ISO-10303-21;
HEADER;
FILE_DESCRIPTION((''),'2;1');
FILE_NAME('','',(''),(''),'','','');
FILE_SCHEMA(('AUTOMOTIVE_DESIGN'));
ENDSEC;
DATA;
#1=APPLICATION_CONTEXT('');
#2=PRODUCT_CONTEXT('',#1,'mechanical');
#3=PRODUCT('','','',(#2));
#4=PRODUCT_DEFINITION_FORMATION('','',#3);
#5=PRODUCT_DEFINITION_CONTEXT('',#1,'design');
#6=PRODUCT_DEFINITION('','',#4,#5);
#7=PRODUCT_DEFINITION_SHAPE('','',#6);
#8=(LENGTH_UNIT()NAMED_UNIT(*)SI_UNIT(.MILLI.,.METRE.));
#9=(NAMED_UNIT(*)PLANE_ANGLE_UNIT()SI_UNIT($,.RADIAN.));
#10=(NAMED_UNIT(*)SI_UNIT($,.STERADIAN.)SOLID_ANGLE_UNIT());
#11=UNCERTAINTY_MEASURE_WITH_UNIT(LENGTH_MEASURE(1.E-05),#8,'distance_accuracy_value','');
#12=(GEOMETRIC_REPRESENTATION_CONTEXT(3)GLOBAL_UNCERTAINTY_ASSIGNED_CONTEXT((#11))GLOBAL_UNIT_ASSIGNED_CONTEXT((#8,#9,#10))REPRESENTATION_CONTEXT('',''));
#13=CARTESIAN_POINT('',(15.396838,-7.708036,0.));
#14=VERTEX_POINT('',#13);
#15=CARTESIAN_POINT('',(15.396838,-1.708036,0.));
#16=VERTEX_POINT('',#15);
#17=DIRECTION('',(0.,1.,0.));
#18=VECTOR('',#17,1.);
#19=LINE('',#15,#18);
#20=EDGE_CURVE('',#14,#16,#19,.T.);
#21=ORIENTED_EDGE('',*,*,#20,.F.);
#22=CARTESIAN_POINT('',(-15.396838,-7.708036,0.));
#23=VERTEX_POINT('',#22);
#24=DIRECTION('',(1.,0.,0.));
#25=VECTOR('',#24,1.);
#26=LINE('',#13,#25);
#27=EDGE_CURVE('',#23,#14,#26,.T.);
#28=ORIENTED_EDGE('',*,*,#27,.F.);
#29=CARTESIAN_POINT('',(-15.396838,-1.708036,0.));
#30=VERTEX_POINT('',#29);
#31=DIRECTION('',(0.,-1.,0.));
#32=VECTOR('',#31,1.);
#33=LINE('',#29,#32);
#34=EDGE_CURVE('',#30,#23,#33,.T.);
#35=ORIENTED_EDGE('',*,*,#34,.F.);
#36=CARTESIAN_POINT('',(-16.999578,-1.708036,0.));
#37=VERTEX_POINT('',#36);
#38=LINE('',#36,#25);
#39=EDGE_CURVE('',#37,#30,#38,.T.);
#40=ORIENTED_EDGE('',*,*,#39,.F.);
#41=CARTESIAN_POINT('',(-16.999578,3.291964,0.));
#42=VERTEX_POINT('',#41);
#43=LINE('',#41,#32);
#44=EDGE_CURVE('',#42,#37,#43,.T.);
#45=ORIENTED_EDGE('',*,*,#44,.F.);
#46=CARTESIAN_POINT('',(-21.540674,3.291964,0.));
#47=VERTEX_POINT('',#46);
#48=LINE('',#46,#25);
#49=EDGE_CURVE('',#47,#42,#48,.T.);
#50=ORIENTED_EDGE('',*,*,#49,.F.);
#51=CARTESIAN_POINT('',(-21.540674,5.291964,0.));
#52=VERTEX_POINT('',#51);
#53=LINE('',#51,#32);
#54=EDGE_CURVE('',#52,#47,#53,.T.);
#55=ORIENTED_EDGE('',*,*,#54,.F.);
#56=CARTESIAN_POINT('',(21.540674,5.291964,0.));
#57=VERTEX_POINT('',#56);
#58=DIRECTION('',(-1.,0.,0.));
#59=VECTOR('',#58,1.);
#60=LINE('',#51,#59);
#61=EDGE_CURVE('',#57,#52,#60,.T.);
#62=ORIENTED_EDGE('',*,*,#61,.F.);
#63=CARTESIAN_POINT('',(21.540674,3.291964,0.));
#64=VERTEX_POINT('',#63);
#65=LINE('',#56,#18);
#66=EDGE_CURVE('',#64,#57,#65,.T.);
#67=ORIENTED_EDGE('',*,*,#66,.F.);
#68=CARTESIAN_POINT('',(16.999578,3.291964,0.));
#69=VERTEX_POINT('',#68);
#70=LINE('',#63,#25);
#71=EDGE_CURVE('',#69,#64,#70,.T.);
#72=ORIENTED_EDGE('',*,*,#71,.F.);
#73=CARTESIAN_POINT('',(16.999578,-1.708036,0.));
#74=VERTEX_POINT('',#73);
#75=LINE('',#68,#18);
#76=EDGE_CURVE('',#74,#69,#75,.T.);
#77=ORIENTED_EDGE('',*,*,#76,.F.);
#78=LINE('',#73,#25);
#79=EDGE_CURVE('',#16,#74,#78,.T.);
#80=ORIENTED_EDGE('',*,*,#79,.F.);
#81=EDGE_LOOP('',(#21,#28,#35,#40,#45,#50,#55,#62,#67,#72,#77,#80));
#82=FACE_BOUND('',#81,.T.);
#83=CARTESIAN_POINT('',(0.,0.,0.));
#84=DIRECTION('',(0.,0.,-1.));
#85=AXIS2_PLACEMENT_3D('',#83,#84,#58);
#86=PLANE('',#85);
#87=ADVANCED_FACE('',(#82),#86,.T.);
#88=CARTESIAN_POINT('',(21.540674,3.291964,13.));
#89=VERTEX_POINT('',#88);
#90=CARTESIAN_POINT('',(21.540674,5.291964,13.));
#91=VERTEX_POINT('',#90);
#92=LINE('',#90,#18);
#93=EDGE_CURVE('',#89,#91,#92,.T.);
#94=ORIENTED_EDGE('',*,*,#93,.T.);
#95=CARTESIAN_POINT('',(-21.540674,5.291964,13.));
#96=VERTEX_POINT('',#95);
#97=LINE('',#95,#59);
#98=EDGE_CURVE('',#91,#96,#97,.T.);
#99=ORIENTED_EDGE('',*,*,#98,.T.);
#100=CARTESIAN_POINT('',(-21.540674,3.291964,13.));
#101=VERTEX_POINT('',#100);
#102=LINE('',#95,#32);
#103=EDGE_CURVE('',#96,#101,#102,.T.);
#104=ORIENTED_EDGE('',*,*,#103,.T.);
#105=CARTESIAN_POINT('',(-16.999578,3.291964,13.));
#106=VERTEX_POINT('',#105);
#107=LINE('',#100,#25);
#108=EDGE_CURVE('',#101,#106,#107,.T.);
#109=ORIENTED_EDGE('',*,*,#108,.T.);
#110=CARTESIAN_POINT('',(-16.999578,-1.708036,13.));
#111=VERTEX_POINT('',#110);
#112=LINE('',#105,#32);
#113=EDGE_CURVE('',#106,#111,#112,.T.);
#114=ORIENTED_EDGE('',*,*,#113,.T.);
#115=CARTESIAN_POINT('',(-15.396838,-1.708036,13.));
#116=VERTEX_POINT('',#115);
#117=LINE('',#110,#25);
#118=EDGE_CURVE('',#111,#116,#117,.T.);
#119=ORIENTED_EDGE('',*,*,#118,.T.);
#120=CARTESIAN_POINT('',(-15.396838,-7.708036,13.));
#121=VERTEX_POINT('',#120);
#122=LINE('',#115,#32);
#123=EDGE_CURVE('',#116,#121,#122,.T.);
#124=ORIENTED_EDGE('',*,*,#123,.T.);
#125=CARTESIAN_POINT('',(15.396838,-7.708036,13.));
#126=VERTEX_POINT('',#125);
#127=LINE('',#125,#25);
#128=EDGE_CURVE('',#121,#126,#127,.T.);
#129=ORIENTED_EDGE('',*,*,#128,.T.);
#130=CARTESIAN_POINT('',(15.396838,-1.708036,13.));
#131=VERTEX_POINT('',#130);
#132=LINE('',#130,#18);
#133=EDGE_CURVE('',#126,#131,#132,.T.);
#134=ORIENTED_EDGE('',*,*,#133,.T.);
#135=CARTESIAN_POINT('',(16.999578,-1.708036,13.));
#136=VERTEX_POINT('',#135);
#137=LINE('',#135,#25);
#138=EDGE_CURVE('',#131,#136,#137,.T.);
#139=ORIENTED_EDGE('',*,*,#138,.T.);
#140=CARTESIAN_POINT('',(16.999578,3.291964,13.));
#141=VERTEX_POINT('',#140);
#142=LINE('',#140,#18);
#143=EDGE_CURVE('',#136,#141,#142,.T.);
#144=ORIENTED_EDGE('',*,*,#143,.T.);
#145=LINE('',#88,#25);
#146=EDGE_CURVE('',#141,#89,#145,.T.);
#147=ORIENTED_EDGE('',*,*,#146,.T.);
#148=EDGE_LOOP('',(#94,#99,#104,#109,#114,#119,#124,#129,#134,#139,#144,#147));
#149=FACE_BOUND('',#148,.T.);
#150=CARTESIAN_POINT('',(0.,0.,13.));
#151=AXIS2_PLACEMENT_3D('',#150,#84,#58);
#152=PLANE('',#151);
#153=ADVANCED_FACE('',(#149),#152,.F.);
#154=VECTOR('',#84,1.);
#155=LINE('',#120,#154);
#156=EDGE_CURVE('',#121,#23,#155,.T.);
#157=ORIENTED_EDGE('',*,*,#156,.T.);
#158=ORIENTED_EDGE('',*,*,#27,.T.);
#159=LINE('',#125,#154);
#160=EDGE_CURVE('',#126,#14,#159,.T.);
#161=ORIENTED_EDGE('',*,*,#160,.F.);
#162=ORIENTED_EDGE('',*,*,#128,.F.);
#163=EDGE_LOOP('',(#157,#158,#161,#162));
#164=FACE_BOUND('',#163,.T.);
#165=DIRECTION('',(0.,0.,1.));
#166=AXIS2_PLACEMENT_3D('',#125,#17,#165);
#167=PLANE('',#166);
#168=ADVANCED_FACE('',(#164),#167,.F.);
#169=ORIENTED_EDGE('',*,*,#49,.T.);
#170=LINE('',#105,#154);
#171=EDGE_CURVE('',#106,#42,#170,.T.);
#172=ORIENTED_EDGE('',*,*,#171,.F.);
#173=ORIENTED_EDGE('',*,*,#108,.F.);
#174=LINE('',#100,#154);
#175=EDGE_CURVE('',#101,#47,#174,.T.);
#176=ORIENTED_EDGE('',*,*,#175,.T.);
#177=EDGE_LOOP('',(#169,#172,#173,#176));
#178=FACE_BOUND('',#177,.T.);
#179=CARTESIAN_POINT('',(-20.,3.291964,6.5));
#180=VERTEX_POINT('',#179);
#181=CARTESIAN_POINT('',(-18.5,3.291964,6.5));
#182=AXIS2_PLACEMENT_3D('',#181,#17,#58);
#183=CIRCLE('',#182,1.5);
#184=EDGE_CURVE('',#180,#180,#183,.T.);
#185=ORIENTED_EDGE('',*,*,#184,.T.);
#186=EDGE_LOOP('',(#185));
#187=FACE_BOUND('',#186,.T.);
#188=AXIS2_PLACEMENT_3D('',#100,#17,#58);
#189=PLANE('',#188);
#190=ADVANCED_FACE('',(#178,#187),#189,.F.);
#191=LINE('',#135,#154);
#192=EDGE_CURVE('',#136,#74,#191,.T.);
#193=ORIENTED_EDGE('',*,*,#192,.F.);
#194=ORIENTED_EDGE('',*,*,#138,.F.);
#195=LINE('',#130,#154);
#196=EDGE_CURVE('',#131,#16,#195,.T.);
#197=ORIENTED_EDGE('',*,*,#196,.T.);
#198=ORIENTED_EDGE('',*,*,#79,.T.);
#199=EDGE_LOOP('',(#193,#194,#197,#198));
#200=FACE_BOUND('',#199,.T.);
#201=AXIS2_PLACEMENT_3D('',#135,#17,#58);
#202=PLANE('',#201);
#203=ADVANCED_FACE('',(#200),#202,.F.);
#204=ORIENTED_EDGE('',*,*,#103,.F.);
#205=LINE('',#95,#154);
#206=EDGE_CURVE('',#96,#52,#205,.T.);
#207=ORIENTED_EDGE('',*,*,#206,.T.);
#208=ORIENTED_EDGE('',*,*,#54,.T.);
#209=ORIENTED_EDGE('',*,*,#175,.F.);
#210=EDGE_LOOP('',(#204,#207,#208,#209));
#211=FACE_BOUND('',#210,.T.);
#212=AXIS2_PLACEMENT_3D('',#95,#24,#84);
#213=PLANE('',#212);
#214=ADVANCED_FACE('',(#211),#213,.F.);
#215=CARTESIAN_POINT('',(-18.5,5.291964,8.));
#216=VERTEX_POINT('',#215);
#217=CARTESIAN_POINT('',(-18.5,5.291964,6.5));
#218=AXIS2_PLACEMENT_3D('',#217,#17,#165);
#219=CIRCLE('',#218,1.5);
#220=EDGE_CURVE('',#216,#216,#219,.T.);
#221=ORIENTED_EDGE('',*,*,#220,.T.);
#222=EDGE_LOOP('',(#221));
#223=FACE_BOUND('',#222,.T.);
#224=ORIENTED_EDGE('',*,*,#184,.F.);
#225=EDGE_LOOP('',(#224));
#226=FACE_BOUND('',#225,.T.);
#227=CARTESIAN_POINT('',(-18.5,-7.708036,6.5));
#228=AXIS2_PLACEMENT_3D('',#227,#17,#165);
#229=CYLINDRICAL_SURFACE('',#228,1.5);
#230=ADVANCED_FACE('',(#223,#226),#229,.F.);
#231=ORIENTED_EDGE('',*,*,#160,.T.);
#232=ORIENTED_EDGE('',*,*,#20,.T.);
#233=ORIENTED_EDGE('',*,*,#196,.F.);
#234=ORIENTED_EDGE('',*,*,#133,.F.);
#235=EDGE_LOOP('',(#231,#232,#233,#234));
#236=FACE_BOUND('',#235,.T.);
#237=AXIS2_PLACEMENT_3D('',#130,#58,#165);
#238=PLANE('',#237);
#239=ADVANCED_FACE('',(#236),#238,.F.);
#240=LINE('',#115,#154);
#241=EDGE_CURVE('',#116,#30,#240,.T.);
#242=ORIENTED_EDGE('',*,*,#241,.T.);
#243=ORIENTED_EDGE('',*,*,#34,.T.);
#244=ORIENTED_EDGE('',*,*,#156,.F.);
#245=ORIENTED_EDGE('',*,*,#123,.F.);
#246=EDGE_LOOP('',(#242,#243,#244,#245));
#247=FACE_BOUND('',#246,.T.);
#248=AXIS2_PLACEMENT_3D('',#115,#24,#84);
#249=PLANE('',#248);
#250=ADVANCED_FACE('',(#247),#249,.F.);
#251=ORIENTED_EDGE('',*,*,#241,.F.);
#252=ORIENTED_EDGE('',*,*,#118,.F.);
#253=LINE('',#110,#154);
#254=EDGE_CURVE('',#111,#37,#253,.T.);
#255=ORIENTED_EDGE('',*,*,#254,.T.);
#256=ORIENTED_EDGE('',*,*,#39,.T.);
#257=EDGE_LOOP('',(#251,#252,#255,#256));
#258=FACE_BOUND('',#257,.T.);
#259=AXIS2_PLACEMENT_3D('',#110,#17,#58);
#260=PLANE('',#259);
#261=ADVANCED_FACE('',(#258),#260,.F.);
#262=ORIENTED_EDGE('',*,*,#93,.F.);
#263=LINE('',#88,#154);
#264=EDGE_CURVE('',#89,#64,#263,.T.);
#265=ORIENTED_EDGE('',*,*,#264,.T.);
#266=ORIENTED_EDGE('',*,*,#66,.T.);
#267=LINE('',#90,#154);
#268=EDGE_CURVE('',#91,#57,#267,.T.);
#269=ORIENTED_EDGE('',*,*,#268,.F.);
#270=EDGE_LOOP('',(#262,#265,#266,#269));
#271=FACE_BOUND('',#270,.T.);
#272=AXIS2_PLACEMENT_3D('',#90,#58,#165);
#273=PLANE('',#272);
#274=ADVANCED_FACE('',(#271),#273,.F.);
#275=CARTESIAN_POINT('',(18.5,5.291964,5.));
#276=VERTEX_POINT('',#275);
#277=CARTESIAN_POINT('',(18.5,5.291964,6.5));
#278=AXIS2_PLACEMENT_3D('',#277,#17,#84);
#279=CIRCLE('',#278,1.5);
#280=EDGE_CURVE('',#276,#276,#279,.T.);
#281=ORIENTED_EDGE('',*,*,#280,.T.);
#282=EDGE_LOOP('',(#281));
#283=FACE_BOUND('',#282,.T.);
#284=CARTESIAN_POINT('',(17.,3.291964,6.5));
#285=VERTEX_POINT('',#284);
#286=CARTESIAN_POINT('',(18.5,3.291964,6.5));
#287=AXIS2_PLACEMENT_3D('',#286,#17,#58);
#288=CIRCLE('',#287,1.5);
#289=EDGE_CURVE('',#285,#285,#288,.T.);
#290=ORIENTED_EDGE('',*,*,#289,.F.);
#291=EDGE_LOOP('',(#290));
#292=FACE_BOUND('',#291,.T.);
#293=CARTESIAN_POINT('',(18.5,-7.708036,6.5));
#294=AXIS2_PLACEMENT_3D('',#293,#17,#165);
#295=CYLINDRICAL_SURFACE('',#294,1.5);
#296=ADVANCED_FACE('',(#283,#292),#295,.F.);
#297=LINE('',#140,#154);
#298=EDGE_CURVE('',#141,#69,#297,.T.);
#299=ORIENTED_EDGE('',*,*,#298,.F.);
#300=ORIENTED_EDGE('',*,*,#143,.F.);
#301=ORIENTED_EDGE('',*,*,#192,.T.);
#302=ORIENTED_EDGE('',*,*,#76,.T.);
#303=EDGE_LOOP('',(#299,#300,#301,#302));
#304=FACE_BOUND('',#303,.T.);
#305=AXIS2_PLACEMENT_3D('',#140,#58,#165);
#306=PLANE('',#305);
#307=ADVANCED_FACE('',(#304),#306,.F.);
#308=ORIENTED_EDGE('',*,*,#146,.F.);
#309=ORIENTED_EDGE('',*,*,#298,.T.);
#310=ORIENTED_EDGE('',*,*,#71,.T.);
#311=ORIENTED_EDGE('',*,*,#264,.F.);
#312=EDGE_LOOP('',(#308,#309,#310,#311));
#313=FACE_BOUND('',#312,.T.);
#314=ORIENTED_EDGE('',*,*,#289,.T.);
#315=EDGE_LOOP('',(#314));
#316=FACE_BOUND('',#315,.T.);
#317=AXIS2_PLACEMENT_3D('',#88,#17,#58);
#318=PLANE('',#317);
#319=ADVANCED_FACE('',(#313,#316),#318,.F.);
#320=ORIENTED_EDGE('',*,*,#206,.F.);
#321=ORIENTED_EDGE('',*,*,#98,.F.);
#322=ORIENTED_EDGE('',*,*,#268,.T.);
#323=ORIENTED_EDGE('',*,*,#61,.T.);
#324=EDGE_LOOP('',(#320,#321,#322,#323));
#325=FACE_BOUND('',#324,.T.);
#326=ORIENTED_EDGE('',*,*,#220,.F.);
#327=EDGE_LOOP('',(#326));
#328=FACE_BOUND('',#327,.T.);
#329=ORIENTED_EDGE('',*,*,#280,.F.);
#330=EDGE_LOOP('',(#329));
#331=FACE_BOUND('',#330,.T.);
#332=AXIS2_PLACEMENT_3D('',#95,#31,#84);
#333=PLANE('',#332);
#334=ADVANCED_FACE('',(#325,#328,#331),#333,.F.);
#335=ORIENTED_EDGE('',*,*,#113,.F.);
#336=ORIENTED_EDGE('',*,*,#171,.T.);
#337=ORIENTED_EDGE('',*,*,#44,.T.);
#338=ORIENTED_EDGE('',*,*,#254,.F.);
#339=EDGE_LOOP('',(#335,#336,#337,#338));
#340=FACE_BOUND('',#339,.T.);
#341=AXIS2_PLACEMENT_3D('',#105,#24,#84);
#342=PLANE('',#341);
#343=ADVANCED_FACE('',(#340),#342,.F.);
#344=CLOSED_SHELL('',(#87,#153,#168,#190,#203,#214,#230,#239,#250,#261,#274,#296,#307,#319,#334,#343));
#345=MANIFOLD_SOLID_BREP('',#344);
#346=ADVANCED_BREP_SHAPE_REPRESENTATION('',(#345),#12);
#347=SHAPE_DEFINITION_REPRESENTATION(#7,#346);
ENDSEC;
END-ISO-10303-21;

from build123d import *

# Parameters (mm, degrees)
EXTRUDE_1_DEPTH     = 13
SKETCH_2_R          = 1.5
CUT_EXTRUDE_1_DEPTH = 29.319615638


with BuildPart() as part:
    # 草图1 → 凸台-拉伸1 (new body)
    with BuildSketch(Plane.XY):
        Polygon((-21.540673849, 5.291964376), (21.540673849, 5.291964376), (21.540673849, 3.291964376), (16.999577959, 3.291964376), (16.999577959, -1.708035624), (15.396838233, -1.708035624), (15.396838233, -7.708035624), (-15.396838233, -7.708035624), (-15.396838233, -1.708035624), (-16.999577959, -1.708035624), (-16.999577959, 3.291964376), (-21.540673849, 3.291964376), align=None)
    extrude(amount=EXTRUDE_1_DEPTH)

    # 草图2 → 切除-拉伸1 (cut, through all)
    with BuildSketch(Plane(origin=(0, 5.291964376, 0), x_dir=(1, 0, 0), z_dir=(0, 1, 0))):
        with Locations(Location((-18.5, -6.5, 0), (0, 0, 270))):
            Circle(SKETCH_2_R)
        with Locations(Location((18.5, -6.5, 0), (0, 0, 180))):
            Circle(SKETCH_2_R)
    extrude(amount=-CUT_EXTRUDE_1_DEPTH, mode=Mode.SUBTRACT)


solid = part.part
